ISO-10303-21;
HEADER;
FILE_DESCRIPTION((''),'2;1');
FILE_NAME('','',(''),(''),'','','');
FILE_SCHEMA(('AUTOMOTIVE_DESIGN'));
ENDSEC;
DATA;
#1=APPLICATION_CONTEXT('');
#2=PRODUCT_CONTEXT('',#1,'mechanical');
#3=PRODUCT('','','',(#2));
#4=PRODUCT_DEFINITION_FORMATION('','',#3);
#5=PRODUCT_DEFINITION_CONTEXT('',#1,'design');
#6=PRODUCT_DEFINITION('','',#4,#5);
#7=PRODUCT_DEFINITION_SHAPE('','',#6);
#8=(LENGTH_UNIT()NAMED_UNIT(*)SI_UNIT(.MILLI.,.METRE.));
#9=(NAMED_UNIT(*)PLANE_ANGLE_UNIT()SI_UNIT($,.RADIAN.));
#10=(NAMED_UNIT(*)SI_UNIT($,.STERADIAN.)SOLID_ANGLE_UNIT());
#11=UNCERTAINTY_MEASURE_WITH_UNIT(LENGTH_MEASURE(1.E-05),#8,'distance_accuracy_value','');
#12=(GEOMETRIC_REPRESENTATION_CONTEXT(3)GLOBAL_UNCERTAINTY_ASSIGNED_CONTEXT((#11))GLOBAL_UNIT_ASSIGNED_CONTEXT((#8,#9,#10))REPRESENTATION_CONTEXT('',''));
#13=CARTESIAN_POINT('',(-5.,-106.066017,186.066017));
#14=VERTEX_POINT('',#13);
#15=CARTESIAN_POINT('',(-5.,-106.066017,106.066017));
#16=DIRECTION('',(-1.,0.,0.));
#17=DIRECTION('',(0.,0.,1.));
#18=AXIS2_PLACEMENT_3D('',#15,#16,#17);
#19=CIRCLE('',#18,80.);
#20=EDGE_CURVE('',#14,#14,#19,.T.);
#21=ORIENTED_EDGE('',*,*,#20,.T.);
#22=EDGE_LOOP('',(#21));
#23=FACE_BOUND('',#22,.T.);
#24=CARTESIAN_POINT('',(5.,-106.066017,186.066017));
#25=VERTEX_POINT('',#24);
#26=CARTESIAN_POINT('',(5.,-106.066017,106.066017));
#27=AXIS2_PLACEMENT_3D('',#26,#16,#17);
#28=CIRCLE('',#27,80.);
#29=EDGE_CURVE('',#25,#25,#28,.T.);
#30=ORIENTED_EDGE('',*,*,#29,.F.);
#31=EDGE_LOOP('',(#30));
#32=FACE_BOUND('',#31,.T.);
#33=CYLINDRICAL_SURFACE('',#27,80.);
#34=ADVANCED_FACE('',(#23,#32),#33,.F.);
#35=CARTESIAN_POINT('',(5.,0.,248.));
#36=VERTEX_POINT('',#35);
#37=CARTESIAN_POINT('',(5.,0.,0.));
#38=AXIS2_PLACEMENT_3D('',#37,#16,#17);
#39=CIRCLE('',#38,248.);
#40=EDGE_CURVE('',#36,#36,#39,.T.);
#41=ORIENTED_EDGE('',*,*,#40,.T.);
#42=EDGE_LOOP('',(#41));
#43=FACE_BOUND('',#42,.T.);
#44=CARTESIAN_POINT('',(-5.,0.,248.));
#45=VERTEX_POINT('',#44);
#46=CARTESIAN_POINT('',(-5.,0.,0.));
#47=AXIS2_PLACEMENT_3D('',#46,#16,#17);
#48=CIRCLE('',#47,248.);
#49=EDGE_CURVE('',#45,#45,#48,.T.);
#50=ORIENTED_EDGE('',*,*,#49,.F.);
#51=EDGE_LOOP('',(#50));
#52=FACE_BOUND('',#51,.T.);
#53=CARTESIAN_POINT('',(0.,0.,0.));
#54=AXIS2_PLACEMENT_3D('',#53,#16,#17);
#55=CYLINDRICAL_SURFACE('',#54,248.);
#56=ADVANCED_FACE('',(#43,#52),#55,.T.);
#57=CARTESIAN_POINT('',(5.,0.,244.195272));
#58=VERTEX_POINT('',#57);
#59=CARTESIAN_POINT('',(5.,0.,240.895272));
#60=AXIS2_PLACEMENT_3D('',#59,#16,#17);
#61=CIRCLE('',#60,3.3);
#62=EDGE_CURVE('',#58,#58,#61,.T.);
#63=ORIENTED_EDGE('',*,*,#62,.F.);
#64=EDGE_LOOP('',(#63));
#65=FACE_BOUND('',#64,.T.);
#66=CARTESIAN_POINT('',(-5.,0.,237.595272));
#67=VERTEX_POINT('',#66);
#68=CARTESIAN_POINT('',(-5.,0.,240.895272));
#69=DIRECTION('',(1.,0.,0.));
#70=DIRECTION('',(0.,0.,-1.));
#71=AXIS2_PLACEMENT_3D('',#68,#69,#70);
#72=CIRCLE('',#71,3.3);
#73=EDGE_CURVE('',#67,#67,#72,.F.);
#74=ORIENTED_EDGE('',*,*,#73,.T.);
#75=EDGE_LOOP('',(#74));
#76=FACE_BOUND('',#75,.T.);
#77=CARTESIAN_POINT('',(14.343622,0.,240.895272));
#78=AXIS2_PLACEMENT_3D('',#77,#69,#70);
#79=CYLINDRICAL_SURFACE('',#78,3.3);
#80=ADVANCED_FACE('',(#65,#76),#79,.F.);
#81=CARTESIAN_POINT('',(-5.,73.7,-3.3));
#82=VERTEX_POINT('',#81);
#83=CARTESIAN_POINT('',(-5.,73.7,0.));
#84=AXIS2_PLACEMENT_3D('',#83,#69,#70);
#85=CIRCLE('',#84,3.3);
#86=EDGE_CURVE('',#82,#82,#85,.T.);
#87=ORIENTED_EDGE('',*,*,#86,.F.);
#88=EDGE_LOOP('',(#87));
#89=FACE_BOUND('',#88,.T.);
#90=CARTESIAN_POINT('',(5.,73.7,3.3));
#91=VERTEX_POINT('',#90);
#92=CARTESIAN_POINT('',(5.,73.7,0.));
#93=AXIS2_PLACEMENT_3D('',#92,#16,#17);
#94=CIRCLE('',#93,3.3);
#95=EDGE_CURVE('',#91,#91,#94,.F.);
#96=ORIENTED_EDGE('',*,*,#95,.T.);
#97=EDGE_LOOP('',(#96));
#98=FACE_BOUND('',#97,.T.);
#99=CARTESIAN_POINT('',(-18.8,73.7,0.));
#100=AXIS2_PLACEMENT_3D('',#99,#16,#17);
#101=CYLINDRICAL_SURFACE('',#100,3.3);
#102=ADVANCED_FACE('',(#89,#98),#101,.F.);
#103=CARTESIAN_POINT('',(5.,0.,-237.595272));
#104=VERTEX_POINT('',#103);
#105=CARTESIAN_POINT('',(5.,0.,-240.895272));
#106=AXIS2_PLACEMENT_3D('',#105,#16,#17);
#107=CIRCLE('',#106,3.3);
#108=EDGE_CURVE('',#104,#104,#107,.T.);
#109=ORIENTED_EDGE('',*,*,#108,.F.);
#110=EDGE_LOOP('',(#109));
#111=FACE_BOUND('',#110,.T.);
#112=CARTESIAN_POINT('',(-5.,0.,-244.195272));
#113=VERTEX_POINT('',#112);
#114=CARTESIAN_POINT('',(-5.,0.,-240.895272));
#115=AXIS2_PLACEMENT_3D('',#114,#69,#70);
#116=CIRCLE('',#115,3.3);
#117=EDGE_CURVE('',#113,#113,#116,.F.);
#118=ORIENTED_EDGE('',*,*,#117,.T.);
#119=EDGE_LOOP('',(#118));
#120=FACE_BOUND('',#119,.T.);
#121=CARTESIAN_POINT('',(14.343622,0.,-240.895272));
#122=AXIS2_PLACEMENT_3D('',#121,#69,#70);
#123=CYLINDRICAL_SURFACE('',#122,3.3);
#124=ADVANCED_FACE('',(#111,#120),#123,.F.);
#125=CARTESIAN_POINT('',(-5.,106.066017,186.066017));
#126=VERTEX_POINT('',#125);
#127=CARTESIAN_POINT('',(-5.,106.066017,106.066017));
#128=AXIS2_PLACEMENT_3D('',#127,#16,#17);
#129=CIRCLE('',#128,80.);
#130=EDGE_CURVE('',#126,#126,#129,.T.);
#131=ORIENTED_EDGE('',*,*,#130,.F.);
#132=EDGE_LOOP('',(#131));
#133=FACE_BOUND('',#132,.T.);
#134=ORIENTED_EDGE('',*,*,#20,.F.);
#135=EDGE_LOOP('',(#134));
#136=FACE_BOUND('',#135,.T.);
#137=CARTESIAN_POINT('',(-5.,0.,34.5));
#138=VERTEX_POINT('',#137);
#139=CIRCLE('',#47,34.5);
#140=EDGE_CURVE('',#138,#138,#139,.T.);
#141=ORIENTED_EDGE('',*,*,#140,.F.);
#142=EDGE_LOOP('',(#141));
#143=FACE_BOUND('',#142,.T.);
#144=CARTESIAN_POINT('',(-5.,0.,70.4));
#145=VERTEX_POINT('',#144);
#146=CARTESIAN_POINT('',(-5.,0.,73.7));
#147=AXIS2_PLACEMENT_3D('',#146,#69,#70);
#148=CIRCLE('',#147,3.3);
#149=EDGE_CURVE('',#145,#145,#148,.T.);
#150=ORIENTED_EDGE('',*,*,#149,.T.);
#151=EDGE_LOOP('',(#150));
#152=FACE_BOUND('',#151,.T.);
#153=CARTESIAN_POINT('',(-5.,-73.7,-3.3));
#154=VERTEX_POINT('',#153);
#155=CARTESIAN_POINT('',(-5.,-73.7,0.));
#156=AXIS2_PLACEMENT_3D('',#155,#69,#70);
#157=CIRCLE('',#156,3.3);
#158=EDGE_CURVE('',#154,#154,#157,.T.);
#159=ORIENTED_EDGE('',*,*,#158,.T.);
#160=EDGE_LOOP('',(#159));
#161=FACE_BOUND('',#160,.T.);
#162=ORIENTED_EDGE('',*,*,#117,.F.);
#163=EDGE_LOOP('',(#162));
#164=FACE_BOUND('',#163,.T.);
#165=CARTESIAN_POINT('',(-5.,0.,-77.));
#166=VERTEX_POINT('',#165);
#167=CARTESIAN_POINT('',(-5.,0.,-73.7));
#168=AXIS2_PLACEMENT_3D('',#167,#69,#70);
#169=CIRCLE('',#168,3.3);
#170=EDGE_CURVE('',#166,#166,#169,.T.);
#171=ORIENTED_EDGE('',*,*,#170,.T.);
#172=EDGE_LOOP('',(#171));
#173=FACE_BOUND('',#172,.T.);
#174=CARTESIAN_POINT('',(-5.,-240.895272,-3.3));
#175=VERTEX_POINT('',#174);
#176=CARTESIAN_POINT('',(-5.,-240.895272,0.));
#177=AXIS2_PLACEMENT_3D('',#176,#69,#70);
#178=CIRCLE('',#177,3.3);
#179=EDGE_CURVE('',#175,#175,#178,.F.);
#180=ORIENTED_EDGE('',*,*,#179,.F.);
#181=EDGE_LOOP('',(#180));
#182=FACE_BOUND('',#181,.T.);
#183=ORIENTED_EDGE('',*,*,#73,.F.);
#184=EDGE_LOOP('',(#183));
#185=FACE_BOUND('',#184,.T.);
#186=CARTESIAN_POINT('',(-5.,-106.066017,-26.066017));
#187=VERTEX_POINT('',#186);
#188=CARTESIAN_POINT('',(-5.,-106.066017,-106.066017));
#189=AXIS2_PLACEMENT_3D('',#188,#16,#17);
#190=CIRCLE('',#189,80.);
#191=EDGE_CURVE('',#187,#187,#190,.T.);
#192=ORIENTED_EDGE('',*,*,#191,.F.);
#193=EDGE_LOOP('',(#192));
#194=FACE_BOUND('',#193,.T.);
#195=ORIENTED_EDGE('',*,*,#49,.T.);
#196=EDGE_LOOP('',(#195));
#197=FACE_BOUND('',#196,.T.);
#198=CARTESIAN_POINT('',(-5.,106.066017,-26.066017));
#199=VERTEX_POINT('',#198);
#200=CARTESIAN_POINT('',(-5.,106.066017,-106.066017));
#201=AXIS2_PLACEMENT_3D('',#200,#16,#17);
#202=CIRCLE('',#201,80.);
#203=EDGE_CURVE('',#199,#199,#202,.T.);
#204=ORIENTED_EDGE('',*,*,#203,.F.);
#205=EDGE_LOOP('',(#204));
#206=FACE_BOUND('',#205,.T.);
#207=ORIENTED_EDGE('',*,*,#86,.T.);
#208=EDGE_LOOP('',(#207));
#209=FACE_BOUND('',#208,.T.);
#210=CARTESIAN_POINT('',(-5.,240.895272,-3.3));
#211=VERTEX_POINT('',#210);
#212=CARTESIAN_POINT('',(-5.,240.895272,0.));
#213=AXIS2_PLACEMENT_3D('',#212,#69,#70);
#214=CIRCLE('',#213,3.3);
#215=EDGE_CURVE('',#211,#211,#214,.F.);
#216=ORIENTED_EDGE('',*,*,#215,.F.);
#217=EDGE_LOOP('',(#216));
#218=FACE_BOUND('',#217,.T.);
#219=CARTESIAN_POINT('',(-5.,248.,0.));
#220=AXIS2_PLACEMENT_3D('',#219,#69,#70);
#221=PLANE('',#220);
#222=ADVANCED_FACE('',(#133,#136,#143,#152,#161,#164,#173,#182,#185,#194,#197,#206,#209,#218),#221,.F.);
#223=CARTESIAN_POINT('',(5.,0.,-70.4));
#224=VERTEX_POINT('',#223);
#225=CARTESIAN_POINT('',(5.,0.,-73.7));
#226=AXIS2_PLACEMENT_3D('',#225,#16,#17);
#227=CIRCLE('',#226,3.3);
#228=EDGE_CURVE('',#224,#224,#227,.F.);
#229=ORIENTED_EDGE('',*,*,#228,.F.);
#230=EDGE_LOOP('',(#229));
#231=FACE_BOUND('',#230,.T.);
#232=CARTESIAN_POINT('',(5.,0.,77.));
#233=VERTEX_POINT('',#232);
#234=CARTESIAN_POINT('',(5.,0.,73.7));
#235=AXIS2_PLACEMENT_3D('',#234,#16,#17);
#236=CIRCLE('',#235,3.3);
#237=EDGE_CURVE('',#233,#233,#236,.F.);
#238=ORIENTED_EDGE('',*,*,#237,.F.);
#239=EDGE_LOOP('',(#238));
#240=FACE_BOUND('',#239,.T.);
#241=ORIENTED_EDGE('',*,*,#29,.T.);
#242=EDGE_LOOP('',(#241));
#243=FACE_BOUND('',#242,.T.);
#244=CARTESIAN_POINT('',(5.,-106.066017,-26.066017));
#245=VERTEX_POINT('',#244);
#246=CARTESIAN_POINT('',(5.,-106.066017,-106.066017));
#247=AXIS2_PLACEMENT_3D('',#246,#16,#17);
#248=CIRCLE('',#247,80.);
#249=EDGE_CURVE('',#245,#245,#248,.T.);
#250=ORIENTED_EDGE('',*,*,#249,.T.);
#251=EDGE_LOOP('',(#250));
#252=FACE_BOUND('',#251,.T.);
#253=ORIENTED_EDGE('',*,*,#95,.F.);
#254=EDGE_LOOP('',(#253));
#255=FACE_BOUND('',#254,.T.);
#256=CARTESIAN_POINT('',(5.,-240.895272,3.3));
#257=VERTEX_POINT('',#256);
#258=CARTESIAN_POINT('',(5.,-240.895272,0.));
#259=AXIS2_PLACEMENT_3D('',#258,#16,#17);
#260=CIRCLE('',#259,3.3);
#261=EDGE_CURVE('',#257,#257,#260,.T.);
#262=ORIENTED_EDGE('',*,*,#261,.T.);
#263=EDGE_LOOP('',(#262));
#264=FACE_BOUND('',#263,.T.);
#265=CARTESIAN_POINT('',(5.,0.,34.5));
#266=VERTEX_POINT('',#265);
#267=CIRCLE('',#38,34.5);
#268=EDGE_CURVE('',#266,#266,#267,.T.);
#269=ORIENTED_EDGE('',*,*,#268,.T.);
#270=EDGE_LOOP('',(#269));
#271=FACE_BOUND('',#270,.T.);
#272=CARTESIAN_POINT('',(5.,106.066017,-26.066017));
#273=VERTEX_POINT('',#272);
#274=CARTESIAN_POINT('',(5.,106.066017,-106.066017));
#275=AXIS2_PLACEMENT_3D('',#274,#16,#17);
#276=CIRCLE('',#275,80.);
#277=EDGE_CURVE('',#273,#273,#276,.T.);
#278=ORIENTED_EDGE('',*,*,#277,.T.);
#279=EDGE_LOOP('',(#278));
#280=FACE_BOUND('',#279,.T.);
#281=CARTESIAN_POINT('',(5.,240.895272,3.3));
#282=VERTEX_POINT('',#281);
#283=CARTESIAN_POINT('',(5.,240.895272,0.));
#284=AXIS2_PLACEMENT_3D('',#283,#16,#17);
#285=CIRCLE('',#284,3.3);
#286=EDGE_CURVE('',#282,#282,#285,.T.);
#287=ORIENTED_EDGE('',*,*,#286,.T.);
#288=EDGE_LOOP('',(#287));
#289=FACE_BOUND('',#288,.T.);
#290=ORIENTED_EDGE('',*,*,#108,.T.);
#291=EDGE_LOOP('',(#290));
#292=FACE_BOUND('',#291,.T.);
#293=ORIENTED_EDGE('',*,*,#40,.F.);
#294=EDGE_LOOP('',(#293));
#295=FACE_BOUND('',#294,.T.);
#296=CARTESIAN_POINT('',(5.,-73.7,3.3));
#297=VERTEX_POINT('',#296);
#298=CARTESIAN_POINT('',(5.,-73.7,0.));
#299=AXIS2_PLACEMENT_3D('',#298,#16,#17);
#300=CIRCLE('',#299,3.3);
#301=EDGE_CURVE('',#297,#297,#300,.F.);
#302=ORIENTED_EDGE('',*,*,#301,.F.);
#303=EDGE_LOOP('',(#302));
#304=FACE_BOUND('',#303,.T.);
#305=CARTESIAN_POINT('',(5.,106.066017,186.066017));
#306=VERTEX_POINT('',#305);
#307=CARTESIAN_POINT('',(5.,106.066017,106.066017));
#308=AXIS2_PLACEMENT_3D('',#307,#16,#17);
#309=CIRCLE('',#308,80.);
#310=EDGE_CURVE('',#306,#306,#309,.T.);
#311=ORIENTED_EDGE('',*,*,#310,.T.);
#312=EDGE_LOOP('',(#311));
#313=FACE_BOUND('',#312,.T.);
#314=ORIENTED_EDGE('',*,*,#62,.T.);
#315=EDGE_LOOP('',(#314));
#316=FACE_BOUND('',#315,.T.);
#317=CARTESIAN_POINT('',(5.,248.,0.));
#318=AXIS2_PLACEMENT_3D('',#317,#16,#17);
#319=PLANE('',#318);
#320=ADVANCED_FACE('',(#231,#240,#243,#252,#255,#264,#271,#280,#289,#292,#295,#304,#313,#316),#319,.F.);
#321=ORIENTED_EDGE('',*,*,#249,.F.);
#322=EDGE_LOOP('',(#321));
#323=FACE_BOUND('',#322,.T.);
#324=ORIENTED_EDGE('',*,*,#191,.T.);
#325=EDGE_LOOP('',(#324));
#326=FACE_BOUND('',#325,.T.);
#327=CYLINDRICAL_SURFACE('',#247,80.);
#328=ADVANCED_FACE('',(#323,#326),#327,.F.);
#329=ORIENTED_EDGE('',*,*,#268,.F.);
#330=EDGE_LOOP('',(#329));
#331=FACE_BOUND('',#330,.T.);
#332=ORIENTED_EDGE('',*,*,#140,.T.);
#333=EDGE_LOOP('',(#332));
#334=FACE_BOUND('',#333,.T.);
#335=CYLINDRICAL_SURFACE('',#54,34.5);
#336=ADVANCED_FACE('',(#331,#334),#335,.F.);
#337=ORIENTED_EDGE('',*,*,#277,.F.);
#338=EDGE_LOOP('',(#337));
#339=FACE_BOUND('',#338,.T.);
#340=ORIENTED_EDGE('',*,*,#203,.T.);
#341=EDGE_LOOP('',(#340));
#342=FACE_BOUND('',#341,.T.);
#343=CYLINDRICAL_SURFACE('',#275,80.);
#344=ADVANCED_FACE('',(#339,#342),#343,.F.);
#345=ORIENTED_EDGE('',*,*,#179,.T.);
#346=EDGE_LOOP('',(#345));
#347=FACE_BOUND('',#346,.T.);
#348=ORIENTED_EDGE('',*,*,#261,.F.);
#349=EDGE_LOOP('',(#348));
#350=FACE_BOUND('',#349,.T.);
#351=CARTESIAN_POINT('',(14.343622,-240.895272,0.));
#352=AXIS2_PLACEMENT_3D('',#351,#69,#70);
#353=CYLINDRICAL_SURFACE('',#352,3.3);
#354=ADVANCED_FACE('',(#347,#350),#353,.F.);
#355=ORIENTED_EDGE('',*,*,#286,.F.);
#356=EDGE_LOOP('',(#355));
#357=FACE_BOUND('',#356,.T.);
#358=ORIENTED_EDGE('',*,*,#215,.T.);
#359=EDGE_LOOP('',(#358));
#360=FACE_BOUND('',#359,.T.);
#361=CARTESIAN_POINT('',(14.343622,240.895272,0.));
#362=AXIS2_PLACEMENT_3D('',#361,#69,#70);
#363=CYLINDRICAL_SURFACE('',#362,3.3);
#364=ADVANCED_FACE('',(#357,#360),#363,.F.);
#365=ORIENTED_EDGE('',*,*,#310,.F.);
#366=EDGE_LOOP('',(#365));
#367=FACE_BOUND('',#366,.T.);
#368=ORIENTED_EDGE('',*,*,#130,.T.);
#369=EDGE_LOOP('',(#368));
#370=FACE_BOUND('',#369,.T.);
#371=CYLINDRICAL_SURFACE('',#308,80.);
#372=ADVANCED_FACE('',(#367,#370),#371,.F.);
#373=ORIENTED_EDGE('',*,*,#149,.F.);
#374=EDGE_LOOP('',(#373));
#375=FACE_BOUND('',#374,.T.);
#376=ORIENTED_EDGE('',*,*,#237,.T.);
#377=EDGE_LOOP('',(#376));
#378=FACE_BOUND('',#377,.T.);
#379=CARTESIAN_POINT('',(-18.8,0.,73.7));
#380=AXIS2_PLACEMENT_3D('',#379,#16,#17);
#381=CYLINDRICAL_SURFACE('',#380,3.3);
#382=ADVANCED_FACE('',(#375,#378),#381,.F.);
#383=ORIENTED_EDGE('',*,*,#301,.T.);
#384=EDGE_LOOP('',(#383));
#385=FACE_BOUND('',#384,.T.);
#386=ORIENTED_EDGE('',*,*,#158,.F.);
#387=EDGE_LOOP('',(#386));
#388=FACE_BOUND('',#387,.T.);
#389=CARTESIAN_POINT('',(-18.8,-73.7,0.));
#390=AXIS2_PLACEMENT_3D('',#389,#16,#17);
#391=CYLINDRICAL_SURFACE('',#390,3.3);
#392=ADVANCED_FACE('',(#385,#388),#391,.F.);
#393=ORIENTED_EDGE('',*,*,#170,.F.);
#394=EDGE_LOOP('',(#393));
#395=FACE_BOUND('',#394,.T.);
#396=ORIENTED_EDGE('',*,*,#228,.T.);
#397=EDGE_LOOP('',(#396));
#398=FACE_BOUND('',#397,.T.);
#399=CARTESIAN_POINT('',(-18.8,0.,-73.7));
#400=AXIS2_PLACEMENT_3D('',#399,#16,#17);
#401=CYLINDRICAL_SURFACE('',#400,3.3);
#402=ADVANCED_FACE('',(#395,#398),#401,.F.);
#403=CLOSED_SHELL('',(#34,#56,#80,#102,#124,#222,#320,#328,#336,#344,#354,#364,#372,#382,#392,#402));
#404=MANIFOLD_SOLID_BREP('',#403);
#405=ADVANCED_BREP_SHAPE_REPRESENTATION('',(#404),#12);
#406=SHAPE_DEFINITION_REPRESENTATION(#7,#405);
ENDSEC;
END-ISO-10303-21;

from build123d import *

# Parameters (mm, degrees)
ESBO_O1_W               = 10
ESBO_O1_H               = 213.5
FURO_COM_FOLGA_DE_M61_D = 6.6
ESBO_O7_R               = 80
CORTE_EXTRUS_O1_DEPTH   = 11
FURO_COM_FOLGA_DE_M62_D = 6.6


with BuildPart() as part:
    # Esboço1 → Revolução1 (revolve)
    with BuildSketch(Plane.XY):
        with Locations((0, 141.25)):
            Rectangle(ESBO_O1_W, ESBO_O1_H)
    revolve(axis=Axis((0, 0, 0), (1, 0, 0)))

    # Furo com folga de M61 (through all)
    with Locations(Plane.ZY.offset(18.8)):
        with Locations((0, 73.7), (73.7, 0), (0, -73.7), (-73.7, 0), (0, 0)):
            Hole(FURO_COM_FOLGA_DE_M61_D / 2)

    # Esboço7 → Corte-extrusão1 (cut, through all)
    with BuildSketch(Plane.ZY.offset(5)):
        with Locations((106.066017178, 106.066017178)):
            Circle(ESBO_O7_R)
        with Locations((106.066017178, -106.066017178)):
            Circle(ESBO_O7_R)
        with Locations((-106.066017178, -106.066017178)):
            Circle(ESBO_O7_R)
        with Locations((-106.066017178, 106.066017178)):
            Circle(ESBO_O7_R)
    extrude(amount=-CORTE_EXTRUS_O1_DEPTH, mode=Mode.SUBTRACT)

    # Furo com folga de M62 (through all)
    with Locations(Plane(origin=(14.343621622, 0, 0), x_dir=(0, 0, -1), z_dir=(1, 0, 0))):
        with Locations((0, 240.895271507), (240.895271507, 0), (0, -240.895271507), (-240.895271507, 0), (0, 0)):
            Hole(FURO_COM_FOLGA_DE_M62_D / 2)


solid = part.part
